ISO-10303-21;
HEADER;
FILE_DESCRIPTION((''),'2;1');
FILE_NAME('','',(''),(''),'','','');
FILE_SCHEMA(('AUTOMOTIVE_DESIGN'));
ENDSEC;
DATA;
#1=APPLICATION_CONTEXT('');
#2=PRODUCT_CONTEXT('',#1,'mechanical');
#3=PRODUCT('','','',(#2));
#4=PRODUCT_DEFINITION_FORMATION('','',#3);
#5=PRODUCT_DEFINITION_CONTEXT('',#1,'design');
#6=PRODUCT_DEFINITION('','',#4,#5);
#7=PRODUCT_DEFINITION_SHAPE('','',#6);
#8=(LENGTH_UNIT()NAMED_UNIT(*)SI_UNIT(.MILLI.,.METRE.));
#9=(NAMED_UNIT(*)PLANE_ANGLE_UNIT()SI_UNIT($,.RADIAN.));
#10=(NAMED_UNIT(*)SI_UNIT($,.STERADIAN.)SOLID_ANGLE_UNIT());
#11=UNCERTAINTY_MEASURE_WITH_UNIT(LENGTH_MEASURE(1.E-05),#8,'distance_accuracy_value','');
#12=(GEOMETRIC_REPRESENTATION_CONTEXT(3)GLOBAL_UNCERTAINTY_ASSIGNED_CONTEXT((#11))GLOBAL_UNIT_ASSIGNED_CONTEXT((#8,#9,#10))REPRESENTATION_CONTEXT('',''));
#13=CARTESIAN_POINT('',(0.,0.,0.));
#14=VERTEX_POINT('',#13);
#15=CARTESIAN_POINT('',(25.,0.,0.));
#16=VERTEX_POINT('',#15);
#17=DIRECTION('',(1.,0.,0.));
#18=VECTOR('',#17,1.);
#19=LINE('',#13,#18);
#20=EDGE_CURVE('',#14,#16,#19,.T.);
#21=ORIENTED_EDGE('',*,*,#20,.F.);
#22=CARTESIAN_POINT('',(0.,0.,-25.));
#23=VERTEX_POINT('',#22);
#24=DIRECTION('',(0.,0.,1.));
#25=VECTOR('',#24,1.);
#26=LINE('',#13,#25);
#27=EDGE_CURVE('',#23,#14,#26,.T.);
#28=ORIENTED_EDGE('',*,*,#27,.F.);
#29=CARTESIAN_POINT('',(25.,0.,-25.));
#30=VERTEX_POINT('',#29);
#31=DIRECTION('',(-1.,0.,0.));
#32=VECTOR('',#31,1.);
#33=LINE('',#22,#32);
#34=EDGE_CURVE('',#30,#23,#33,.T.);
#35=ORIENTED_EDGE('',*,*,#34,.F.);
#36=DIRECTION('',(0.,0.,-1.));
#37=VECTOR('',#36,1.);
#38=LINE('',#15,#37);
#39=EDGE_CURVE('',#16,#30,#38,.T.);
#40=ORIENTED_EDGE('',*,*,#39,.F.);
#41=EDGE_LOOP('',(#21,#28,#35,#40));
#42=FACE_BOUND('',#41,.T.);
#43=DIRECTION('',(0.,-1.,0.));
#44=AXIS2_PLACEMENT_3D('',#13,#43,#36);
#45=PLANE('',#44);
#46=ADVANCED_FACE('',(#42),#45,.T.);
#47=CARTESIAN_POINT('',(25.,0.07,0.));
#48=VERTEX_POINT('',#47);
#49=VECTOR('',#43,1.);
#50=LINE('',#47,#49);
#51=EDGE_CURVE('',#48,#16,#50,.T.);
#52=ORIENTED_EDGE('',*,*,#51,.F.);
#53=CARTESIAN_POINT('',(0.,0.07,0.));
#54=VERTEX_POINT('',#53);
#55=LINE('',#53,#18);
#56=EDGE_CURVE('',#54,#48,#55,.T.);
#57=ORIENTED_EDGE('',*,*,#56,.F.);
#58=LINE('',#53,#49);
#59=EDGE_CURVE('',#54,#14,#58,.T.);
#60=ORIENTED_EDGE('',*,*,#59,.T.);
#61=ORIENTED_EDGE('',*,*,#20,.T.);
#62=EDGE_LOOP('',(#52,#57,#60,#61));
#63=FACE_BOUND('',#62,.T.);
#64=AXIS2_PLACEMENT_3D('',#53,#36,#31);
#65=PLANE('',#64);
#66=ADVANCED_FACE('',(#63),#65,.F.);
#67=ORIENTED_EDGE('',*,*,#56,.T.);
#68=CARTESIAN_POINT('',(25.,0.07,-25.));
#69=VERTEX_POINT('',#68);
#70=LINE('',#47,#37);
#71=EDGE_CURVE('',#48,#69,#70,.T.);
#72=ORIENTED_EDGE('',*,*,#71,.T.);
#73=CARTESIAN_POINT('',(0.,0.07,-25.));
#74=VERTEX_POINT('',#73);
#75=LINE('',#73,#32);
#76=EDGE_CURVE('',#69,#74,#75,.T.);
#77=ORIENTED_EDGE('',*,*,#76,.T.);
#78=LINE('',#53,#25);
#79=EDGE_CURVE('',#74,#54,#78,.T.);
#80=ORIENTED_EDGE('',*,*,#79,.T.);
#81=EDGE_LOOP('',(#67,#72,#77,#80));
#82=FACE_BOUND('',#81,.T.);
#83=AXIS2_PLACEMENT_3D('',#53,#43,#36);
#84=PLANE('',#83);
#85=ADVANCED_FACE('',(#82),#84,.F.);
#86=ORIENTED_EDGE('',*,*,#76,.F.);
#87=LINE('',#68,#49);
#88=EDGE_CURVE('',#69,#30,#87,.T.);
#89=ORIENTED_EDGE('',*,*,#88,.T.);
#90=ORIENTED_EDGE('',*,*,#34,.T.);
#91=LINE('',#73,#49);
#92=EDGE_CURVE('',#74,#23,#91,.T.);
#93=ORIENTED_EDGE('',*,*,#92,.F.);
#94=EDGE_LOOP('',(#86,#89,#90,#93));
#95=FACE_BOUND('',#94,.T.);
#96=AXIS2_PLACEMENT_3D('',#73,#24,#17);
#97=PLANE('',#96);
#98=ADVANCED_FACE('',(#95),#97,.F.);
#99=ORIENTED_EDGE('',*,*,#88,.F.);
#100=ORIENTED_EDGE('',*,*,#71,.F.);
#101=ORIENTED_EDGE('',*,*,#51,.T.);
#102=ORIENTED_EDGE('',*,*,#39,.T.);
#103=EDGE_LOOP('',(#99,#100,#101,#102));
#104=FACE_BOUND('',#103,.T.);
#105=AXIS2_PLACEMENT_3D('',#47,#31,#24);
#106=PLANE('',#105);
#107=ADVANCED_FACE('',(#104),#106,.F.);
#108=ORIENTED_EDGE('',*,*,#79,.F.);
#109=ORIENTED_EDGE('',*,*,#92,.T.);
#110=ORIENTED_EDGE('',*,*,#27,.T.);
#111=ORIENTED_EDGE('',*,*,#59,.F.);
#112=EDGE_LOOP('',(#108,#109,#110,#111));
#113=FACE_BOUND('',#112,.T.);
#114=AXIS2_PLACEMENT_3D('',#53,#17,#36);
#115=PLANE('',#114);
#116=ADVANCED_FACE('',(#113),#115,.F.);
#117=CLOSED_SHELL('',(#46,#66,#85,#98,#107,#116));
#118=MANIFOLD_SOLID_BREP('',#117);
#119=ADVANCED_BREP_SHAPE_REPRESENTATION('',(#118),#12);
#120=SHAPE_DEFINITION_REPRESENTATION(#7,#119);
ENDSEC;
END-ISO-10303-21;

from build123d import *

# Parameters (mm, degrees)
CROQUIS1_W              = 25
CROQUIS1_H              = 25
SALIENTE_EXTRUIR1_DEPTH = 0.07


with BuildPart() as part:
    # Croquis1 → Saliente-Extruir1 (new body)
    with BuildSketch(Plane(origin=(0, 0, 0), x_dir=(1, 0, 0), z_dir=(0, 1, 0))):
        with Locations((12.5, 12.5)):
            Rectangle(CROQUIS1_W, CROQUIS1_H)
    extrude(amount=SALIENTE_EXTRUIR1_DEPTH)


solid = part.part
